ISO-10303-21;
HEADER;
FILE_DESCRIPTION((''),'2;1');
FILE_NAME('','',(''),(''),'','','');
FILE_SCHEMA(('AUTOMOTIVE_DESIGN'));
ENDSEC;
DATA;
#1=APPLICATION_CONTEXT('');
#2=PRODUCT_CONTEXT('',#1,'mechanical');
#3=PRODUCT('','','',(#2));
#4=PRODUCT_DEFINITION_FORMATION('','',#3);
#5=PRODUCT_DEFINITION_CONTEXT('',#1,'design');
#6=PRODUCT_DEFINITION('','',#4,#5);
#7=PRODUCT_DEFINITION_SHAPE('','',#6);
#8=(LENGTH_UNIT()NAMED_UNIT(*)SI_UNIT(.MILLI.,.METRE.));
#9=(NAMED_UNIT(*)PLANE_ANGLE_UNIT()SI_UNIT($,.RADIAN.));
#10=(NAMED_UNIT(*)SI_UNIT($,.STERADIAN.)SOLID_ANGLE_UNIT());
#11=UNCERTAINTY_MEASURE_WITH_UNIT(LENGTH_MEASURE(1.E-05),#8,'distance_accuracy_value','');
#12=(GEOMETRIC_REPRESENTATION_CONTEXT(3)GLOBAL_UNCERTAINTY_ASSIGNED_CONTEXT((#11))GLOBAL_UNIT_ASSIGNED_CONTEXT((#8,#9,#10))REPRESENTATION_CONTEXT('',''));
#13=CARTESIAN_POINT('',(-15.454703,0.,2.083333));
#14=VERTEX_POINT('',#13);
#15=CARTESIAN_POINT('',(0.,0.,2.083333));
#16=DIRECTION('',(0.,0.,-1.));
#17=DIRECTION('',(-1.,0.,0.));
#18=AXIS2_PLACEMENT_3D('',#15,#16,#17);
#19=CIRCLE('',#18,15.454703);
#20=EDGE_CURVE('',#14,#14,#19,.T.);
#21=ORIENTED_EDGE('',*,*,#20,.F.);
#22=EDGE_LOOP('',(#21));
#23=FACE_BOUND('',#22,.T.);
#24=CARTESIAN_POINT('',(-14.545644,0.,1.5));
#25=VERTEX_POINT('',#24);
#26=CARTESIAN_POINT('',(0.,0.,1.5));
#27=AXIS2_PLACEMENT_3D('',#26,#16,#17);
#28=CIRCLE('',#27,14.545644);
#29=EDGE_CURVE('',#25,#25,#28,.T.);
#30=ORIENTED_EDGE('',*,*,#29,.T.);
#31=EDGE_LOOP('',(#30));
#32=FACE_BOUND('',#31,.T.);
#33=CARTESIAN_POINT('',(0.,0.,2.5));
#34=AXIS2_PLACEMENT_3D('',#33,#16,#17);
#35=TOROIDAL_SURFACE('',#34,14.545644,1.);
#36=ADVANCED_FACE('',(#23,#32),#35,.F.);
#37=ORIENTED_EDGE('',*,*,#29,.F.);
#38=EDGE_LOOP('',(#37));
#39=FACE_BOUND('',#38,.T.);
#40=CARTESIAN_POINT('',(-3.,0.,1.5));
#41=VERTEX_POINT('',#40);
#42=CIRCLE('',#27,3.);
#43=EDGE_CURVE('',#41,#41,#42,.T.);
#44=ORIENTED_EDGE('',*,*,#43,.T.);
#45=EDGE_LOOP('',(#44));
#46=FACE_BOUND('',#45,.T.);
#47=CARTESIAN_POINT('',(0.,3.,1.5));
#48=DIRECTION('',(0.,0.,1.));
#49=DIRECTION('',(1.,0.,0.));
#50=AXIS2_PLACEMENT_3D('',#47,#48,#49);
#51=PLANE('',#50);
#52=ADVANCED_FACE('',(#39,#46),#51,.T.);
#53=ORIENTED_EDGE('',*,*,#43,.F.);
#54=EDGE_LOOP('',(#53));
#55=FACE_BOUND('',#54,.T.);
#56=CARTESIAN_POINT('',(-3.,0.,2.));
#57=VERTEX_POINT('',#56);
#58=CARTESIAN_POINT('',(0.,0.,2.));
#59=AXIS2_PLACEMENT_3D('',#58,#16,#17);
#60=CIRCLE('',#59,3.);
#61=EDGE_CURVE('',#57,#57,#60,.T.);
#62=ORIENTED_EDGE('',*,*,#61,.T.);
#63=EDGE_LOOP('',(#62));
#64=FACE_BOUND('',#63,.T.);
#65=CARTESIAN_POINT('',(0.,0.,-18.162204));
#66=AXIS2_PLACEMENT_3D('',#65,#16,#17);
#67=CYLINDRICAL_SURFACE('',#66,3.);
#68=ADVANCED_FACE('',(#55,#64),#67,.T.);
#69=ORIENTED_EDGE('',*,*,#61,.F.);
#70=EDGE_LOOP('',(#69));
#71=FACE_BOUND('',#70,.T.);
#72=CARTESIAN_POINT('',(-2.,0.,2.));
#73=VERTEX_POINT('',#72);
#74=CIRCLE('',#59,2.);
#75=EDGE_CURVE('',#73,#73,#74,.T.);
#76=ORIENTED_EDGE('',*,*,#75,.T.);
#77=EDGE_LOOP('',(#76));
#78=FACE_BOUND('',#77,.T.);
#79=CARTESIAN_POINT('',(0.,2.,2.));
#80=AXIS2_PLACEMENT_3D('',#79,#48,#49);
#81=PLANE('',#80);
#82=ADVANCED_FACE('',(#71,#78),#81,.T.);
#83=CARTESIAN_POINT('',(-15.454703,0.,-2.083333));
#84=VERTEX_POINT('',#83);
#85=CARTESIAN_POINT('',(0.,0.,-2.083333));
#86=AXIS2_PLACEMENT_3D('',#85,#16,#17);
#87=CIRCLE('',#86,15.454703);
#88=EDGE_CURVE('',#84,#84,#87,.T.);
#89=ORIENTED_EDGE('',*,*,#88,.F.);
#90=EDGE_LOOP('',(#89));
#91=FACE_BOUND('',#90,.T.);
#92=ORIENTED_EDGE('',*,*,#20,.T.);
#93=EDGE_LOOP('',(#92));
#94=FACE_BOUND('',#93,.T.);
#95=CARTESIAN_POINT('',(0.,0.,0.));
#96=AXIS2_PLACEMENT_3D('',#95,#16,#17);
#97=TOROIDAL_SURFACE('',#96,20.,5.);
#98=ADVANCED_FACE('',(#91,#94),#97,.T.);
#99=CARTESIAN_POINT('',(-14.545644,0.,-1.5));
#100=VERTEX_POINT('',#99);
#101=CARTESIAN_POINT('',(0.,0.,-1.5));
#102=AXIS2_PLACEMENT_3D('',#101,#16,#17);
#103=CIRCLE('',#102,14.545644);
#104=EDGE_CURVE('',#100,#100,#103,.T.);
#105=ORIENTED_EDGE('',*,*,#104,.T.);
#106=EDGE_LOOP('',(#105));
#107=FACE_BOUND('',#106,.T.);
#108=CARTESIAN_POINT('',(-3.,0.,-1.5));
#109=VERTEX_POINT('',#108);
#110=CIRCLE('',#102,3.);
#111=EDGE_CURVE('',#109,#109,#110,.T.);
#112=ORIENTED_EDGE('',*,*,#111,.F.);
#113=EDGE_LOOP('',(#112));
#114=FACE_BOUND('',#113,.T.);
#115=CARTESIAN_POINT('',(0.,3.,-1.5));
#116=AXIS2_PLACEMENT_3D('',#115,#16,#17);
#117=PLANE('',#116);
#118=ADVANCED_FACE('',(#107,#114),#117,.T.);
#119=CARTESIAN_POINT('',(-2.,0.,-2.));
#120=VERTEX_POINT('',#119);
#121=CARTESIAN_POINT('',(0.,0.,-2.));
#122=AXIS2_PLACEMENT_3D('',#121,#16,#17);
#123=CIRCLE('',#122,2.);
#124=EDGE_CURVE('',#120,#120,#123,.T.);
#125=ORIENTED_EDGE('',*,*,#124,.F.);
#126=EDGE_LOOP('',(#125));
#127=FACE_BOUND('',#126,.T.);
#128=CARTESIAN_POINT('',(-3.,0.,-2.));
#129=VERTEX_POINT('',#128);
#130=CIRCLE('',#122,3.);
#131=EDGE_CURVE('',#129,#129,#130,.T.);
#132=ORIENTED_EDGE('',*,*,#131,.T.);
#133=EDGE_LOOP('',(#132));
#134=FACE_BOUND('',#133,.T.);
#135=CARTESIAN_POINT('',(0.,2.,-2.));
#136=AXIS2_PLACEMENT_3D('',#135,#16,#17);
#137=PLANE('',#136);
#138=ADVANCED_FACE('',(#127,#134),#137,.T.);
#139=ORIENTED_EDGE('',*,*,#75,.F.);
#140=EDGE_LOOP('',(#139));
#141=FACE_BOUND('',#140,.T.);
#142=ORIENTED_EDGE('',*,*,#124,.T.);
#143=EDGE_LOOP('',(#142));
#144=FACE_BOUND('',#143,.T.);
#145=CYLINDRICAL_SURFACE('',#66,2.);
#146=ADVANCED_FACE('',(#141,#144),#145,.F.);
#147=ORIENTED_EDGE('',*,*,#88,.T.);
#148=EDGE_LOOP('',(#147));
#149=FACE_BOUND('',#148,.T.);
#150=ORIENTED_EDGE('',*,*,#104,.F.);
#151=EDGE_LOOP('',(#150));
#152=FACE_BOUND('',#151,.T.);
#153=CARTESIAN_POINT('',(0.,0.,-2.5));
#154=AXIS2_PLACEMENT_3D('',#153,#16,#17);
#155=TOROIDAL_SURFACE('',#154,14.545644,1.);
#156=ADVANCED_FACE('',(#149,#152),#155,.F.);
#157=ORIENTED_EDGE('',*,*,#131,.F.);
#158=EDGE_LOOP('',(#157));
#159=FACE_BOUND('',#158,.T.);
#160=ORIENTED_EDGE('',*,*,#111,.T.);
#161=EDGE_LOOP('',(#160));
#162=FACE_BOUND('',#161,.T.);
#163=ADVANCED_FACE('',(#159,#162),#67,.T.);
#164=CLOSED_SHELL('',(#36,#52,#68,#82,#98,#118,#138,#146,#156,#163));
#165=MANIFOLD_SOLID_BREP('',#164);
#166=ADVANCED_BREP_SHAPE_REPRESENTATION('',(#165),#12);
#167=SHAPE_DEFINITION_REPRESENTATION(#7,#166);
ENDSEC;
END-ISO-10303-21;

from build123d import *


with BuildPart() as part:
    # Sketch1 → Revolve1 (revolve)
    with BuildSketch(Plane(origin=(0, 0, 0), x_dir=(0, 0, -1), z_dir=(1, 0, 0)), mode=Mode.PRIVATE) as revolve1_sk:
        with BuildLine():
            Line((-1.5, 3), (-2, 3))
            Line((-2, 3), (-2, 2))
            Line((-2, 2), (2, 2))
            Line((2, 2), (2, 3))
            Line((2, 3), (1.5, 3))
            Line((1.5, 3), (1.5, 14.545643943))
            ThreePointArc((1.5, 14.545643943), (1.658374588, 15.085705668), (2.083333333, 15.454703286))
            ThreePointArc((2.083333333, 15.454703286), (0, 25), (-2.083333333, 15.454703286))
            ThreePointArc((-2.083333333, 15.454703286), (-1.658374588, 15.085705668), (-1.5, 14.545643943))
            Line((-1.5, 14.545643943), (-1.5, 3))
        make_face()
    revolve(revolve1_sk.sketch.rotate(Axis((0, 0, -18.162203791), (0, 0, 1)), 90), axis=Axis((0, 0, -18.162203791), (0, 0, 1)))  # turned: the seam where the file's is


solid = part.part
